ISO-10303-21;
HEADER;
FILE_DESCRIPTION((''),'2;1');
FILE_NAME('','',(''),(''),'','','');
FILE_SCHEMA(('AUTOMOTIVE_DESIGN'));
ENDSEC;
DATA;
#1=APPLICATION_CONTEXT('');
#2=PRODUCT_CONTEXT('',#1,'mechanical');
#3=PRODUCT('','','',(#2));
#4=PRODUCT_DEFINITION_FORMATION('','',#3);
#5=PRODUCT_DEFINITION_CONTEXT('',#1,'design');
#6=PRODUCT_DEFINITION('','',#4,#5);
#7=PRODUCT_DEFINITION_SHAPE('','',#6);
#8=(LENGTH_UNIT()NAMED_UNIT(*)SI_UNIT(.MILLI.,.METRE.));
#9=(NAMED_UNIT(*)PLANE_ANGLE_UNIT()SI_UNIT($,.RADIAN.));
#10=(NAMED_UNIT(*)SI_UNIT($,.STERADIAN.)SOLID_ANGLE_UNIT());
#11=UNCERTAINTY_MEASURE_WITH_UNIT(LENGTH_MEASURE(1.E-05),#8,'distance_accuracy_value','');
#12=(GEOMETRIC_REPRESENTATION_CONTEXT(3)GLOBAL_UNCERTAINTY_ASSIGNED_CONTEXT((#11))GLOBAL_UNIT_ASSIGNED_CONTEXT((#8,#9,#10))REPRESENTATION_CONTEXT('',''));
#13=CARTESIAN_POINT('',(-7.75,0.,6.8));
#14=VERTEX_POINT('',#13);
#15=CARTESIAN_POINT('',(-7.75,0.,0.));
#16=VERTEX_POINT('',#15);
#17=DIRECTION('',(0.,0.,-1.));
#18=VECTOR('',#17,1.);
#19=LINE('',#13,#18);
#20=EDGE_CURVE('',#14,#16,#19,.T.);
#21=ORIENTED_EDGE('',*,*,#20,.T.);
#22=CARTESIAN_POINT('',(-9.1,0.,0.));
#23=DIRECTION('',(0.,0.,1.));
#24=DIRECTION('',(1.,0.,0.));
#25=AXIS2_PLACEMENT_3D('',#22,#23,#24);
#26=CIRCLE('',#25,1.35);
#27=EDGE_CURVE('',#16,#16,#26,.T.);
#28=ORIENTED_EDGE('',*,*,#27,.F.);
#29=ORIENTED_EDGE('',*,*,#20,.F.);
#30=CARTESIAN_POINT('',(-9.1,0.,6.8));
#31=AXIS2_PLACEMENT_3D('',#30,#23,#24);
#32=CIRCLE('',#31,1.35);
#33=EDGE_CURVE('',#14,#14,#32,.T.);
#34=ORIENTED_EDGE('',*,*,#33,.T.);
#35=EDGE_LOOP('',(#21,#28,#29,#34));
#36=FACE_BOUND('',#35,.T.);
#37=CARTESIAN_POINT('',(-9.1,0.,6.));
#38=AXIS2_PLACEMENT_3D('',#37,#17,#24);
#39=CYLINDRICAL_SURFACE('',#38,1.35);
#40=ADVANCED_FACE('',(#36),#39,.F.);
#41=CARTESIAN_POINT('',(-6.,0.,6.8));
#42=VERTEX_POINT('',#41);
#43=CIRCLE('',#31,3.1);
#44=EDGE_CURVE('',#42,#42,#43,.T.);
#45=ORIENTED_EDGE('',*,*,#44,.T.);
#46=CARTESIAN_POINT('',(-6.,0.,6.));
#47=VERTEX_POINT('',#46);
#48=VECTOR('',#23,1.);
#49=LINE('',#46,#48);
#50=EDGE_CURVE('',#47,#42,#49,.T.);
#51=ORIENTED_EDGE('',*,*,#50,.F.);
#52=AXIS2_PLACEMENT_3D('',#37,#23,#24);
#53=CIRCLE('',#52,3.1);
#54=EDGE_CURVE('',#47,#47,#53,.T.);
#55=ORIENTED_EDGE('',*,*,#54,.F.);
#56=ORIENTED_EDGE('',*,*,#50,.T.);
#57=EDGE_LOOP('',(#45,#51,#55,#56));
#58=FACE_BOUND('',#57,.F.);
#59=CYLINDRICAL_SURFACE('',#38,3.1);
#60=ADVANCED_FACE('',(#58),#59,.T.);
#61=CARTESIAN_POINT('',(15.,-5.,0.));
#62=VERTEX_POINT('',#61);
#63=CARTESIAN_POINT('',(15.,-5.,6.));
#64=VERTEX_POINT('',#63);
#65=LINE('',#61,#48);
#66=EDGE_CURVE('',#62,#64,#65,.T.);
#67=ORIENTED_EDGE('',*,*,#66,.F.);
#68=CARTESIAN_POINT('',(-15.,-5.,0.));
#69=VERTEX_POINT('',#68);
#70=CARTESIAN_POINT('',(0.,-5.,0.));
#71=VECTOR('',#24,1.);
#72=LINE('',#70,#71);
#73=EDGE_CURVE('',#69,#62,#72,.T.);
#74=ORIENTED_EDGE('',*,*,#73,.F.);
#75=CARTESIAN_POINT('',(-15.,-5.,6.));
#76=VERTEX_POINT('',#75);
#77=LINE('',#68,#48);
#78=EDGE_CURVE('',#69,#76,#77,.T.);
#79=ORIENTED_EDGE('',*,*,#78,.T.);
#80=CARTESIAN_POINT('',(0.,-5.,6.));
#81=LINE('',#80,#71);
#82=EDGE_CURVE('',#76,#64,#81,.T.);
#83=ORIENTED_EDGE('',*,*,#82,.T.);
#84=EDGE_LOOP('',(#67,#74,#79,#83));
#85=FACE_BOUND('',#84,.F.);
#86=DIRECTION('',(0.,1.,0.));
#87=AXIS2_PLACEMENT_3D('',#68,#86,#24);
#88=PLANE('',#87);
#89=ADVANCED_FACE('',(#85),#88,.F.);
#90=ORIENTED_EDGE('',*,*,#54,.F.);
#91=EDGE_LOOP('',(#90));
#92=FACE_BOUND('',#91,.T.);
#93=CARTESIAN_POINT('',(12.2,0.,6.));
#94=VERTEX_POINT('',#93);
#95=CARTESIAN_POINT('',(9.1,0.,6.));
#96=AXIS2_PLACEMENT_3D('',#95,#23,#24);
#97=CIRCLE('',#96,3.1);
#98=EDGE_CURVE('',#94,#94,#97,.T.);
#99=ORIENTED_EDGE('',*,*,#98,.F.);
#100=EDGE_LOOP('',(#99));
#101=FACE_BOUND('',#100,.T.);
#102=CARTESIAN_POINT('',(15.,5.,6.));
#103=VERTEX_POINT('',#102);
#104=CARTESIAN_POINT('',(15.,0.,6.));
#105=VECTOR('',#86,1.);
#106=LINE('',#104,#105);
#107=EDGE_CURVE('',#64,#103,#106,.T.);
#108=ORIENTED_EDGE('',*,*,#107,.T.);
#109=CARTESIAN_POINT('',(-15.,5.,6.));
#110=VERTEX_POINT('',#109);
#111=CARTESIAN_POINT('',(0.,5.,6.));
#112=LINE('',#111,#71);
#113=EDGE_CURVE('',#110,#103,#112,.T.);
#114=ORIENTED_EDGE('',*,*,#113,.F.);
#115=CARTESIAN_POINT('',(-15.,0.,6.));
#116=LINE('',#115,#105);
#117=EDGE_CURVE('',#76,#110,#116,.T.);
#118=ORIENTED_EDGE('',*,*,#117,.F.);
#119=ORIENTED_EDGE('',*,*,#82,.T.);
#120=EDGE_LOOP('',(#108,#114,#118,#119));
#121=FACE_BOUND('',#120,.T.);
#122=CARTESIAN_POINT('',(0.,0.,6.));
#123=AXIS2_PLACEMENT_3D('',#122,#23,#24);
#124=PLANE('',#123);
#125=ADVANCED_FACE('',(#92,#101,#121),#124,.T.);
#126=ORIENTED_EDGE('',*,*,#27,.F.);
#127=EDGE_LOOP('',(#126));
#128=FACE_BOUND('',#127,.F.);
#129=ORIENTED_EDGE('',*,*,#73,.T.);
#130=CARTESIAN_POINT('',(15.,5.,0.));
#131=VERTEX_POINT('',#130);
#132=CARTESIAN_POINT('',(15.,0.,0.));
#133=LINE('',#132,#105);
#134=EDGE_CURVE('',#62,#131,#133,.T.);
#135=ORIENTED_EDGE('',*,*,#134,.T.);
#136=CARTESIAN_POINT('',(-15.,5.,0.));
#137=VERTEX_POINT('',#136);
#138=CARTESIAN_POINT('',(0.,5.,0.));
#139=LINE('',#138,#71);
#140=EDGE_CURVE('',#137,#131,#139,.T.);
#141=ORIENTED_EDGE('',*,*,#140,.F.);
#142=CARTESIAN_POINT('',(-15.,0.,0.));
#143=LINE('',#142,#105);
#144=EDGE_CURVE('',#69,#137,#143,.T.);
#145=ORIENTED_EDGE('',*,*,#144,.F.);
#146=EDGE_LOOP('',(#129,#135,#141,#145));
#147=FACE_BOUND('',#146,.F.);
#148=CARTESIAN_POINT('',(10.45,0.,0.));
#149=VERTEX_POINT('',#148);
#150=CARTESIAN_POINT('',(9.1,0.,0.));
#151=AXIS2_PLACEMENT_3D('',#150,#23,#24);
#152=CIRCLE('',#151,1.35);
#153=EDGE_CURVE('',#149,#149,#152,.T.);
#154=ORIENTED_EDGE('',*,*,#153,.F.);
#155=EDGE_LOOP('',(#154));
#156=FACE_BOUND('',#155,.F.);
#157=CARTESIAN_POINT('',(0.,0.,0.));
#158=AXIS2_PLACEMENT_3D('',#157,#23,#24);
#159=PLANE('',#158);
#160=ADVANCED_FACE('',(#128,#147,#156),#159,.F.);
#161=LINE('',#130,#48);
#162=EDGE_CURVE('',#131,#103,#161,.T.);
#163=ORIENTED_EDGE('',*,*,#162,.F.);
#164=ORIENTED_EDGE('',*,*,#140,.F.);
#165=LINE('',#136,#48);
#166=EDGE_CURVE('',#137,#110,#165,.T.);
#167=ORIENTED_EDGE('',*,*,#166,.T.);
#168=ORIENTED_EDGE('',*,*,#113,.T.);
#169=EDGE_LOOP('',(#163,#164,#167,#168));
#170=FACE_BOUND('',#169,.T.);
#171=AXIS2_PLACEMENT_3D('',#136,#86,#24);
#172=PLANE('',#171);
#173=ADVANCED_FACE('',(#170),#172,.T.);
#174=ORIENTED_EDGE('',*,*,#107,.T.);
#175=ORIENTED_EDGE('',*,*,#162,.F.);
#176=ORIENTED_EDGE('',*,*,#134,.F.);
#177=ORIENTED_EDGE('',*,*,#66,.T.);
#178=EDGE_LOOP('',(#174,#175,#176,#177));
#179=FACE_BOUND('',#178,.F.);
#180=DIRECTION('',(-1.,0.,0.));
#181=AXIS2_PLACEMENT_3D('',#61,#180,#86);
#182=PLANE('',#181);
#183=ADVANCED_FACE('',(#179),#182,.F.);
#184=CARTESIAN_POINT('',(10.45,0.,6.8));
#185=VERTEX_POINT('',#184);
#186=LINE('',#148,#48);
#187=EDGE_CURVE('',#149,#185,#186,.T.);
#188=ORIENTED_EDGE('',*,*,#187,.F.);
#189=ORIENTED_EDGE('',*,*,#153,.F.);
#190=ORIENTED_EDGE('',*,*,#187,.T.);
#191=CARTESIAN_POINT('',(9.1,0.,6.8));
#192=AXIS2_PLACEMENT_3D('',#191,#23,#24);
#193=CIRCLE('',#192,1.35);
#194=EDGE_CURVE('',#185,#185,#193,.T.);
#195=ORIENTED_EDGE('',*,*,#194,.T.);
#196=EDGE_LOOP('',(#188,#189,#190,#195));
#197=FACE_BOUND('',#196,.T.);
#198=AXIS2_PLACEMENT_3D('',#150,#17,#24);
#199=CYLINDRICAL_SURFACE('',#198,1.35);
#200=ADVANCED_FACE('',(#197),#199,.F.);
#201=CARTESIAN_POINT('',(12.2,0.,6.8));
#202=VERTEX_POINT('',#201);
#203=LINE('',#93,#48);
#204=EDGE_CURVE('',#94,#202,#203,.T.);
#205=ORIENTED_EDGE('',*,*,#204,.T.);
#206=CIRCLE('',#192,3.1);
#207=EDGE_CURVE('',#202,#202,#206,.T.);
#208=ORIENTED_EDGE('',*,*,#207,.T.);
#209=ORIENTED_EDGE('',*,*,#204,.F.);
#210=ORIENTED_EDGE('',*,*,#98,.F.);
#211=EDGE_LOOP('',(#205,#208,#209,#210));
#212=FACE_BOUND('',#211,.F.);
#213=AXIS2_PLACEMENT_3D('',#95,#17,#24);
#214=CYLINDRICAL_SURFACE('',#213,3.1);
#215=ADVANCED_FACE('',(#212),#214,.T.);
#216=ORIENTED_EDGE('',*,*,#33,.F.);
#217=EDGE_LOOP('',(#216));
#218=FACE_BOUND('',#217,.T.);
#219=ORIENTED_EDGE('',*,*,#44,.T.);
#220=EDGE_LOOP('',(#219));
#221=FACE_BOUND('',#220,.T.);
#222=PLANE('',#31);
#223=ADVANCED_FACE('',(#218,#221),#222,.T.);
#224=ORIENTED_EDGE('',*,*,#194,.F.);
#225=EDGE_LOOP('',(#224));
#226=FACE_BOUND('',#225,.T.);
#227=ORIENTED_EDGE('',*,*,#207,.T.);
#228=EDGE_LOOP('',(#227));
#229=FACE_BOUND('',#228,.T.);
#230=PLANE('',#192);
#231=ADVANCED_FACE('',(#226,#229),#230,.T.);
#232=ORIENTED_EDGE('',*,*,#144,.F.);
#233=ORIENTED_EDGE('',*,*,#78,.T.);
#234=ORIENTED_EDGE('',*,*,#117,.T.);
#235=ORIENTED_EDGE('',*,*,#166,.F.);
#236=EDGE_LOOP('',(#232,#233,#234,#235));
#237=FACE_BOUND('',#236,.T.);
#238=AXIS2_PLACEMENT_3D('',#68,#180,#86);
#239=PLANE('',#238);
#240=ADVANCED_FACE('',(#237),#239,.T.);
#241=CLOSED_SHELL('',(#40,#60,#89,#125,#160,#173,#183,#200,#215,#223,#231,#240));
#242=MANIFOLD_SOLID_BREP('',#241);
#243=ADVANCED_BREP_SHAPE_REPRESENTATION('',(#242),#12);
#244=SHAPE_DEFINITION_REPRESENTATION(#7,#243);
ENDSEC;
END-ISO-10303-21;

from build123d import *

# Parameters (mm, degrees)
F0_W     = 30
F0_H     = 10
F0_R     = 1.35
F1_DEPTH = 6
F2_R     = 3.1
F2_R_2   = 1.35
F3_DEPTH = 0.8


with BuildPart() as f1:
    # F0 (on Top) → F1 (new body)
    with BuildSketch(Plane.XY):
        Rectangle(F0_W, F0_H)
        with Locations((-9.1, 0)):
            Circle(F0_R, mode=Mode.SUBTRACT)
        with Locations((9.1, 0)):
            Circle(F0_R, mode=Mode.SUBTRACT)
    extrude(amount=F1_DEPTH)

    # F2 (on face) → F3 (join)
    with BuildSketch(Plane.XY.offset(6)):
        with Locations((-9.1, 0)):
            Circle(F2_R)
        with Locations((-9.1, 0)):
            Circle(F2_R_2, mode=Mode.SUBTRACT)
        with Locations((9.1, 0)):
            Circle(F2_R)
        with Locations((9.1, 0)):
            Circle(F2_R_2, mode=Mode.SUBTRACT)
    extrude(amount=F3_DEPTH)


solid = f1.part
